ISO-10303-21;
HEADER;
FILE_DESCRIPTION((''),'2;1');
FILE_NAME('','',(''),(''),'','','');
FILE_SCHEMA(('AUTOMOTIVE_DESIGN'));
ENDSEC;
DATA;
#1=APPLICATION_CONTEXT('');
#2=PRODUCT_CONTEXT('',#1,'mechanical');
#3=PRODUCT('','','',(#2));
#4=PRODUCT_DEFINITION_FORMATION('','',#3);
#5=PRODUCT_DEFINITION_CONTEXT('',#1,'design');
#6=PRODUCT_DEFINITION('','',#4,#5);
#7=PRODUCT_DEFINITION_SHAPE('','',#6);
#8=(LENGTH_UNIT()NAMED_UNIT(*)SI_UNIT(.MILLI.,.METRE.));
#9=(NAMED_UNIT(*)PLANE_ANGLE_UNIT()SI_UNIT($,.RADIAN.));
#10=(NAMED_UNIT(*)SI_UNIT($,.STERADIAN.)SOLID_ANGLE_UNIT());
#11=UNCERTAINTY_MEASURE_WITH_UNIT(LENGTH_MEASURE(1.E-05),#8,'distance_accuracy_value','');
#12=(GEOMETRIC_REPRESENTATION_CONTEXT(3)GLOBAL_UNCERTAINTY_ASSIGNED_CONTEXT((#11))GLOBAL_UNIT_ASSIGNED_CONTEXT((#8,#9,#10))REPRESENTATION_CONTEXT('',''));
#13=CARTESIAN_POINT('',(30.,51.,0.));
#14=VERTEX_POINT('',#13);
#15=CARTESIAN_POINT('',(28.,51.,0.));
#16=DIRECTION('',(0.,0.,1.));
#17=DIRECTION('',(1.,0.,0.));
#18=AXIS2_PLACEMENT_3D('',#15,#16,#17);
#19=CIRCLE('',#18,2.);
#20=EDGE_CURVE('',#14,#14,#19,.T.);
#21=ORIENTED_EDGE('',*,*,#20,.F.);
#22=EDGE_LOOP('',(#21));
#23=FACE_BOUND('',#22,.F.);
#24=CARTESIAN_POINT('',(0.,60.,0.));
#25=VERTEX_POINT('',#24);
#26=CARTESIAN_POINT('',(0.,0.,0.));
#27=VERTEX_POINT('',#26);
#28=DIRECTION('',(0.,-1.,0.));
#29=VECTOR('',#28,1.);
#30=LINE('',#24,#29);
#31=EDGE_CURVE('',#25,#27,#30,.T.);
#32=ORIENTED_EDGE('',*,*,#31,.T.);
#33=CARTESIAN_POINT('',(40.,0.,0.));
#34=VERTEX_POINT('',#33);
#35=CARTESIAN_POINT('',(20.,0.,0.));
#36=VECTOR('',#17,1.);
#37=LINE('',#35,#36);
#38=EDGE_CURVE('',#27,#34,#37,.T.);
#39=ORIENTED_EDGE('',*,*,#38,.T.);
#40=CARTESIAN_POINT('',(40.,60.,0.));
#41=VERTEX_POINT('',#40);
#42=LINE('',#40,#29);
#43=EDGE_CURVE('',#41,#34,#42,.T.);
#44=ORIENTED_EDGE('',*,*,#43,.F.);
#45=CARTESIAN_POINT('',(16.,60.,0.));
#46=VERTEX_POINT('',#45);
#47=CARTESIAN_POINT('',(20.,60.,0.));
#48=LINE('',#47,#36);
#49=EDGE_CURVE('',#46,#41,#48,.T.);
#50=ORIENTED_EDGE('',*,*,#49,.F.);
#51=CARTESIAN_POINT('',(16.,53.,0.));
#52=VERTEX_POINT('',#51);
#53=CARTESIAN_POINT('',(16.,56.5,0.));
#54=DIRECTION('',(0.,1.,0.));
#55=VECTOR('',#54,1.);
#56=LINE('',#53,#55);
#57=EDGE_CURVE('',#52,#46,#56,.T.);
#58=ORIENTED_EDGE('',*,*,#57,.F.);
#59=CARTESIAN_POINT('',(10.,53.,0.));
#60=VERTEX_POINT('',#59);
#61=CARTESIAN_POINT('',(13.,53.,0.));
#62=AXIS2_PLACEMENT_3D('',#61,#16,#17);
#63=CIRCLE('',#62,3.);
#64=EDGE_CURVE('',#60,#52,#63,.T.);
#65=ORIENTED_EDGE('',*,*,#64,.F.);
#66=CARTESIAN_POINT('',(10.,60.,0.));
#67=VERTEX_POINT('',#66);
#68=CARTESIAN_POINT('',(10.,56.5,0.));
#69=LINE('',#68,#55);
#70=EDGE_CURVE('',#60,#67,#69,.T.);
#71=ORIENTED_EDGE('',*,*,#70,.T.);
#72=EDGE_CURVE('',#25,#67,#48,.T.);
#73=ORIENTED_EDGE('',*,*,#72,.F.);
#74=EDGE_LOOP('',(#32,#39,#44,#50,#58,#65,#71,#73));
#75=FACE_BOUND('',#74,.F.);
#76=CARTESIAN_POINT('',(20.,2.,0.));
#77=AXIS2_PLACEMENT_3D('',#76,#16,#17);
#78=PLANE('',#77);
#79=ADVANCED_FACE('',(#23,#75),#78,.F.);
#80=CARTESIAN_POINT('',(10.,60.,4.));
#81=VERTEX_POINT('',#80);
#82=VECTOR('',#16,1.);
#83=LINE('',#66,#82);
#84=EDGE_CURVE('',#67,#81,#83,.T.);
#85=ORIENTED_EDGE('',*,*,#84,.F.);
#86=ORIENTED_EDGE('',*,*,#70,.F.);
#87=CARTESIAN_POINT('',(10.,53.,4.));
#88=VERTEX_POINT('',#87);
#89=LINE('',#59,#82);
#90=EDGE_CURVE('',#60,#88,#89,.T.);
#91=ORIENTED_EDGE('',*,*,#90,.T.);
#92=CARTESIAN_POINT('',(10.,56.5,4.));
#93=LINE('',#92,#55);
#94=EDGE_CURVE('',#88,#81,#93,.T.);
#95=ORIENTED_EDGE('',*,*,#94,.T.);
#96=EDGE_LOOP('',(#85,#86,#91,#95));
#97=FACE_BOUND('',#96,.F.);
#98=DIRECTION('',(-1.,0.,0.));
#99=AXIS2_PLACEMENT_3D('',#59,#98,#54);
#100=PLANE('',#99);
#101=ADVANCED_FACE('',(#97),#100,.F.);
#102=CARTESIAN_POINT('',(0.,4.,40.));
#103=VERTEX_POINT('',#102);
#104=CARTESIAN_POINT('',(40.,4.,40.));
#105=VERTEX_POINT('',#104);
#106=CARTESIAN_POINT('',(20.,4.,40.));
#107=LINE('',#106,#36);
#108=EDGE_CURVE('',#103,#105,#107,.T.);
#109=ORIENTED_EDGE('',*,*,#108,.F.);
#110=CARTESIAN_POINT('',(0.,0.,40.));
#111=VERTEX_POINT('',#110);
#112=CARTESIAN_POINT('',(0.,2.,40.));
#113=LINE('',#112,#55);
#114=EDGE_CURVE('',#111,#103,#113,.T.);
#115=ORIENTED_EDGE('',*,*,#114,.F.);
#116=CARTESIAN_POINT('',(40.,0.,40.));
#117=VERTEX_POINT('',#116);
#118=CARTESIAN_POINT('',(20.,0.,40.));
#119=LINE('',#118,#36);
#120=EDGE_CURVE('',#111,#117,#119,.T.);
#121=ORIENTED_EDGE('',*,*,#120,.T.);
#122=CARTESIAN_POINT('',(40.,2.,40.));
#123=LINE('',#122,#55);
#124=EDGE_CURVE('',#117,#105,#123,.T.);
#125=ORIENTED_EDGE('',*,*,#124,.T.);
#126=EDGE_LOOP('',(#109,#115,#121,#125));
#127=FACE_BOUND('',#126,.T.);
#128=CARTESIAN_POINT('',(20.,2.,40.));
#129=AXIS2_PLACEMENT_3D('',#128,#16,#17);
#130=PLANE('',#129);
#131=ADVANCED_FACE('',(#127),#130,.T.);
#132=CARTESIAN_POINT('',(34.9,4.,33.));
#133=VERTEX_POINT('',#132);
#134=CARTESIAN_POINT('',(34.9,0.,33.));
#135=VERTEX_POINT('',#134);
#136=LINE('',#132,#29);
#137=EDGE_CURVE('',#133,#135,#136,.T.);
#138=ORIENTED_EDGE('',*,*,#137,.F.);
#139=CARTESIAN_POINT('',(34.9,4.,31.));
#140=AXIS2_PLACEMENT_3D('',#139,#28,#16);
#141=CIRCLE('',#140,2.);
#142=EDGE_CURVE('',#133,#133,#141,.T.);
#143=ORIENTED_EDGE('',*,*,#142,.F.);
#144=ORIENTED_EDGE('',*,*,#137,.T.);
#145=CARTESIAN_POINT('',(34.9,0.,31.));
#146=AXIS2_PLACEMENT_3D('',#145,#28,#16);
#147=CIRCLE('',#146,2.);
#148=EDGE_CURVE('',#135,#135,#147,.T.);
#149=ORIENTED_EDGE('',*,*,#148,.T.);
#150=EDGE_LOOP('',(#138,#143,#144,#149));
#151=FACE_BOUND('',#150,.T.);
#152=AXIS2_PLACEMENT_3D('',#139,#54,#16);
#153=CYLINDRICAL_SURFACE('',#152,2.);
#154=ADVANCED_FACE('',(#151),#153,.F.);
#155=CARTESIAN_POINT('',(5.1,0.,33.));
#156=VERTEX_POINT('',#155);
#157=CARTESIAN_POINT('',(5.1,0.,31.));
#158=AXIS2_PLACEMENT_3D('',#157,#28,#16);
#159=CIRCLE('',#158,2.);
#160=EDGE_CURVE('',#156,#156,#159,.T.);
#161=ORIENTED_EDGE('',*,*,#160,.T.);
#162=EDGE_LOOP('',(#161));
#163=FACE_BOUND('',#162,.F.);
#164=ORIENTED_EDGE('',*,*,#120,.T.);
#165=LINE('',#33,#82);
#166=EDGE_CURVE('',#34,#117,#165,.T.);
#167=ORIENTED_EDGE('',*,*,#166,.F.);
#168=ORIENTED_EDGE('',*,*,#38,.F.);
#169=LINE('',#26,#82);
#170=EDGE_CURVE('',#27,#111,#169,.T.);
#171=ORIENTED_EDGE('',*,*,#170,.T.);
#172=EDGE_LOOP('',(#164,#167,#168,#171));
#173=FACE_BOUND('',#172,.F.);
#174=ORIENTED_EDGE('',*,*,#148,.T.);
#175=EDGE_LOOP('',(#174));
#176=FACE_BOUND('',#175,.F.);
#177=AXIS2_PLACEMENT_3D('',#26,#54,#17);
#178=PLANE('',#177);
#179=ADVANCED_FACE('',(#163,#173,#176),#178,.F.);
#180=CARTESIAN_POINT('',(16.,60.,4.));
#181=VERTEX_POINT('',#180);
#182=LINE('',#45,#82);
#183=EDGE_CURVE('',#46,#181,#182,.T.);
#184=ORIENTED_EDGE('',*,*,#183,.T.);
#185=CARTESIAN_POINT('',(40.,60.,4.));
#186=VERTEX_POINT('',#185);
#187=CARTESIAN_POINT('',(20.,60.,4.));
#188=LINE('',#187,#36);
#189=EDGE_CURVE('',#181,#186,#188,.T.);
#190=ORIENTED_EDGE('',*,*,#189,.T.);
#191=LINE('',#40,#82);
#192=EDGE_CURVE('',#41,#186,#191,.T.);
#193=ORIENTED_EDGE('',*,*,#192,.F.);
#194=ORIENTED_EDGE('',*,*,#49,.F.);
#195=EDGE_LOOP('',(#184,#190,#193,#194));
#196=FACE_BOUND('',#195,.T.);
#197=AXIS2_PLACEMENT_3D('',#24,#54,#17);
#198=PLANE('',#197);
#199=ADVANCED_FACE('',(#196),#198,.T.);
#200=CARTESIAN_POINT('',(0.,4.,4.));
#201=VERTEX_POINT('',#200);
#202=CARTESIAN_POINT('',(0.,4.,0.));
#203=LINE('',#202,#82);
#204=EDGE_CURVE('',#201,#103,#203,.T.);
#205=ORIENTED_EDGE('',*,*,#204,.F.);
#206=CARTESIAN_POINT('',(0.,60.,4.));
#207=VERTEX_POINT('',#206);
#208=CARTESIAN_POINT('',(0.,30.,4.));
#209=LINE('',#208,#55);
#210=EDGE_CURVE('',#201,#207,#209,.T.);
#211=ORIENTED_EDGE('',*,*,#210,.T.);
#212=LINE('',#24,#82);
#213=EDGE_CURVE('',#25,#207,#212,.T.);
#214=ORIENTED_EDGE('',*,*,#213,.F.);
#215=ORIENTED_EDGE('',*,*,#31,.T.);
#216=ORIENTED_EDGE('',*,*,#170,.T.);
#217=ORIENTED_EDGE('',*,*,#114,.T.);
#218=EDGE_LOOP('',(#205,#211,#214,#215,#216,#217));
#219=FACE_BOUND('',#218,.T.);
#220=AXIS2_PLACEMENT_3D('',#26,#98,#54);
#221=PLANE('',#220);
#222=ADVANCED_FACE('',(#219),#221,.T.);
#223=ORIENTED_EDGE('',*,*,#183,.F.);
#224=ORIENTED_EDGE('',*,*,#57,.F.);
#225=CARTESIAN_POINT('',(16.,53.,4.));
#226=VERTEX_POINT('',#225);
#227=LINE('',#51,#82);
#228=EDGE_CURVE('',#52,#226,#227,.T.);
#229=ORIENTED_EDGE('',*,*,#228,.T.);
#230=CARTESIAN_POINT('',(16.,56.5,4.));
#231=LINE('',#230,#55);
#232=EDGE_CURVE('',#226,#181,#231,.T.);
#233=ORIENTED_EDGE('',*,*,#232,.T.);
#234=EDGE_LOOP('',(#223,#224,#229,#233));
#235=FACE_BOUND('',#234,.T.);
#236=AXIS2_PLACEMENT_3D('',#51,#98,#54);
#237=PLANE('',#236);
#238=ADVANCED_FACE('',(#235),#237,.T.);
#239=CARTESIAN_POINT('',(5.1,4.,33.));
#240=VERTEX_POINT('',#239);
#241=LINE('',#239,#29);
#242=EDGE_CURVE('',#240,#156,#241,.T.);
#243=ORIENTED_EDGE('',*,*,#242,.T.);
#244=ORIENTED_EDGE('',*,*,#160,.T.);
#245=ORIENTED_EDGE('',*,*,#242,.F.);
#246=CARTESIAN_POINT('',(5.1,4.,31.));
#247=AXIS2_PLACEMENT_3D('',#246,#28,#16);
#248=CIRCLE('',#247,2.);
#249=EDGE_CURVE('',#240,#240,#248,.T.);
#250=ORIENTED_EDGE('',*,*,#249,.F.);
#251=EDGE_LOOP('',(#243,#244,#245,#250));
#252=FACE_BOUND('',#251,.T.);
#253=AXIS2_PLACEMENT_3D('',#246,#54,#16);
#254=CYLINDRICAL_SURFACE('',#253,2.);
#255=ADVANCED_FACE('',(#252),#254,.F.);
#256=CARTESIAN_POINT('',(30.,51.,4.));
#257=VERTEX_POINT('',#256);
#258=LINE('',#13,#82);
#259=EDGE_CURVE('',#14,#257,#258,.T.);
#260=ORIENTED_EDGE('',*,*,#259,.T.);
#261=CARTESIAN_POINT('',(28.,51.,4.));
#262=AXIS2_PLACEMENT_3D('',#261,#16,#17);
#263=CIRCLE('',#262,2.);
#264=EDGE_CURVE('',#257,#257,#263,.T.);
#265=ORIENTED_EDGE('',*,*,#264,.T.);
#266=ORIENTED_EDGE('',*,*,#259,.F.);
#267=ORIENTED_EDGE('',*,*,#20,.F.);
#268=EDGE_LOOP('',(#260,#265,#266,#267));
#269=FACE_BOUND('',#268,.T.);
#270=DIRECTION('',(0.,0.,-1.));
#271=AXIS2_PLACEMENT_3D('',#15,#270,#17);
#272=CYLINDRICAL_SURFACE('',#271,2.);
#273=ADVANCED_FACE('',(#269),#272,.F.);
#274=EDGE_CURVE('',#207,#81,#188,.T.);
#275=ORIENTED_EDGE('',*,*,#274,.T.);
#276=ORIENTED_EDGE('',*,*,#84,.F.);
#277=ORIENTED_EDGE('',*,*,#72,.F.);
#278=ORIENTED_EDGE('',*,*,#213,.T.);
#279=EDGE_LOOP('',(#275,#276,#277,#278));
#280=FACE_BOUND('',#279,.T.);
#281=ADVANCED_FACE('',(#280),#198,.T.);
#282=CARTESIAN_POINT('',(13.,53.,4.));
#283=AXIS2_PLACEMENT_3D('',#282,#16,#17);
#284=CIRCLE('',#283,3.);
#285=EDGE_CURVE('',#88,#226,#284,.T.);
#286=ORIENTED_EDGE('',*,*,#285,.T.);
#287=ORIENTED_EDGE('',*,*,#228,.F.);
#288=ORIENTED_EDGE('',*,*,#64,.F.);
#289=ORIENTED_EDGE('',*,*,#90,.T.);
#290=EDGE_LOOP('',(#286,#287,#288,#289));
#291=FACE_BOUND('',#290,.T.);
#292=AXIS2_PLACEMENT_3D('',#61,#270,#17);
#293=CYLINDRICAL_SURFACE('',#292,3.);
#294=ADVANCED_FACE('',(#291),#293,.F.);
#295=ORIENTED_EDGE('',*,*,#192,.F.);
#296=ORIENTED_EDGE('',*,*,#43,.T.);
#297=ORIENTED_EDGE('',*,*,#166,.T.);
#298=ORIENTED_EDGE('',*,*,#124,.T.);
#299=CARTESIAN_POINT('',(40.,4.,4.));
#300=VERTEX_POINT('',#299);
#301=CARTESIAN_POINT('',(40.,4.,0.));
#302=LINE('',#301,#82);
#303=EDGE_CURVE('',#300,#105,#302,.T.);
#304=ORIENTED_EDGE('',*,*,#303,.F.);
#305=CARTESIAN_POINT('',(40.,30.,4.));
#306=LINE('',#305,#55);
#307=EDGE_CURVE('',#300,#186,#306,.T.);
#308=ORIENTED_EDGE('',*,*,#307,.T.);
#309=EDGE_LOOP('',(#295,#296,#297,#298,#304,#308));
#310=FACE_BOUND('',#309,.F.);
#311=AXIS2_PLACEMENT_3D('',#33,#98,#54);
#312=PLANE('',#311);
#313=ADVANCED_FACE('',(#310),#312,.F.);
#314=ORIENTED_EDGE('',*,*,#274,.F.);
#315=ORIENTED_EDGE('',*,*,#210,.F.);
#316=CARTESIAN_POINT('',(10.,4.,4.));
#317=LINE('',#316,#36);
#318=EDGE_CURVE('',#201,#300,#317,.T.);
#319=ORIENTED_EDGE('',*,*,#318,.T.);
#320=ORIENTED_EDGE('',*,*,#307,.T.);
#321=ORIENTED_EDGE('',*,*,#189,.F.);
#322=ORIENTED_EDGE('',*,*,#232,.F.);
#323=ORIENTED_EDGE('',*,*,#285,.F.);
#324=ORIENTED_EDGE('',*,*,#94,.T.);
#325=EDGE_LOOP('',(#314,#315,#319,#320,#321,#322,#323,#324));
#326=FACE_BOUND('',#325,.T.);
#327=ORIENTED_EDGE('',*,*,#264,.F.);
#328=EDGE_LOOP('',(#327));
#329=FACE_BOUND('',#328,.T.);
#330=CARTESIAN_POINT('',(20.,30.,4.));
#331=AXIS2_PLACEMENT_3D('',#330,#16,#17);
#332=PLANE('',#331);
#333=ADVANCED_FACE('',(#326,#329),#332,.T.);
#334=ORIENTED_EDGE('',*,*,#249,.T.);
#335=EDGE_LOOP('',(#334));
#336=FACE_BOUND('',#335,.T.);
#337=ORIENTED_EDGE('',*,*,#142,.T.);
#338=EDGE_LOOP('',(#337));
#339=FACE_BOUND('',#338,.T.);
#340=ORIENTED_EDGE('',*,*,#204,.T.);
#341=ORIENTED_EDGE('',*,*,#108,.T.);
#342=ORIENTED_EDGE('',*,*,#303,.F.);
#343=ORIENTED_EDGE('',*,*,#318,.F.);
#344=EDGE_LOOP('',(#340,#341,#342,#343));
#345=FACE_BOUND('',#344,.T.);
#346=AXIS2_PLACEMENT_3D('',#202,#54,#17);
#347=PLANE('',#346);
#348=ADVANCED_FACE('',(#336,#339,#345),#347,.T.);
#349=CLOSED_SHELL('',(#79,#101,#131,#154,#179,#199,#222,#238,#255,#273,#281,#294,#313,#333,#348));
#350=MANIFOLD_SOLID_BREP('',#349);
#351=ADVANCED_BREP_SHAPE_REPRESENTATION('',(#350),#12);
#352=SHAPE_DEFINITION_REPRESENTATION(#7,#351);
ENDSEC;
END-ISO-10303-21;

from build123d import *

# Parameters (mm, degrees)
CYLINDER002_R     = 2
CYLINDER002_DEPTH = 4
CYLINDER003_R     = 3
CYLINDER003_DEPTH = 4
BOX002_W          = 6
BOX002_H          = 7
BOX002_DEPTH      = 4
CYLINDER_R        = 2
CYLINDER_DEPTH    = 4
CYLINDER001_R     = 2
CYLINDER001_DEPTH = 4
BOX_W             = 40
BOX_H             = 60
BOX_DEPTH         = 4
BOX001_W          = 40
BOX001_H          = 4
BOX001_DEPTH      = 40


with BuildPart() as agujero_de_sujeccion:
    # Cylinder002 → Cylinder002 (new body)
    with BuildSketch(Plane(origin=(28, 51, 0), x_dir=(1, 0, 0), z_dir=(0, 0, 1))):
        Circle(CYLINDER002_R)
    extrude(amount=CYLINDER002_DEPTH)


with BuildPart() as cilindro003:
    # Cylinder003 → Cylinder003 (new body)
    with BuildSketch(Plane(origin=(13, 53, 0), x_dir=(1, 0, 0), z_dir=(0, 0, 1))):
        Circle(CYLINDER003_R)
    extrude(amount=CYLINDER003_DEPTH)


with BuildPart() as agujero_de_sujeccion_del_hotend:
    # Box002 → Box002 (new body)
    with BuildSketch(Plane(origin=(10, 53, 0), x_dir=(1, 0, 0), z_dir=(0, 0, 1))):
        with Locations((3, 3.5)):
            Rectangle(BOX002_W, BOX002_H)
    extrude(amount=BOX002_DEPTH)

    # Fusion002: union Cilindro003
    add(cilindro003.part)


with BuildPart() as cylinder:
    # Cylinder → Cylinder (new body)
    with BuildSketch(Plane(origin=(5.1, 4, 31), x_dir=(0, 0, 1), z_dir=(0, -1, 0))):
        Circle(CYLINDER_R)
    extrude(amount=CYLINDER_DEPTH)


with BuildPart() as agujeros_roscados_m4:
    # Cylinder001 → Cylinder001 (new body)
    with BuildSketch(Plane(origin=(34.9, 4, 31), x_dir=(0, 0, 1), z_dir=(0, -1, 0))):
        Circle(CYLINDER001_R)
    extrude(amount=CYLINDER001_DEPTH)

    # Fusion001: union Cylinder
    add(cylinder.part)


with BuildPart() as cubo:
    # Box → Box (new body)
    with BuildSketch(Plane.XY):
        with Locations((20, 30)):
            Rectangle(BOX_W, BOX_H)
    extrude(amount=BOX_DEPTH)


with BuildPart() as soporte_extrusor:
    # Box001 → Box001 (new body)
    with BuildSketch(Plane.XY):
        with Locations((20, 2)):
            Rectangle(BOX001_W, BOX001_H)
    extrude(amount=BOX001_DEPTH)

    # Fusion: union Cubo
    add(cubo.part)

    # Cut: cut Agujeros roscados M4
    add(agujeros_roscados_m4.part, mode=Mode.SUBTRACT)

    # Cut001: cut Agujero de sujeccion del hotend
    add(agujero_de_sujeccion_del_hotend.part, mode=Mode.SUBTRACT)

    # Cut002: cut agujero de sujeccion
    add(agujero_de_sujeccion.part, mode=Mode.SUBTRACT)


solid = soporte_extrusor.part
